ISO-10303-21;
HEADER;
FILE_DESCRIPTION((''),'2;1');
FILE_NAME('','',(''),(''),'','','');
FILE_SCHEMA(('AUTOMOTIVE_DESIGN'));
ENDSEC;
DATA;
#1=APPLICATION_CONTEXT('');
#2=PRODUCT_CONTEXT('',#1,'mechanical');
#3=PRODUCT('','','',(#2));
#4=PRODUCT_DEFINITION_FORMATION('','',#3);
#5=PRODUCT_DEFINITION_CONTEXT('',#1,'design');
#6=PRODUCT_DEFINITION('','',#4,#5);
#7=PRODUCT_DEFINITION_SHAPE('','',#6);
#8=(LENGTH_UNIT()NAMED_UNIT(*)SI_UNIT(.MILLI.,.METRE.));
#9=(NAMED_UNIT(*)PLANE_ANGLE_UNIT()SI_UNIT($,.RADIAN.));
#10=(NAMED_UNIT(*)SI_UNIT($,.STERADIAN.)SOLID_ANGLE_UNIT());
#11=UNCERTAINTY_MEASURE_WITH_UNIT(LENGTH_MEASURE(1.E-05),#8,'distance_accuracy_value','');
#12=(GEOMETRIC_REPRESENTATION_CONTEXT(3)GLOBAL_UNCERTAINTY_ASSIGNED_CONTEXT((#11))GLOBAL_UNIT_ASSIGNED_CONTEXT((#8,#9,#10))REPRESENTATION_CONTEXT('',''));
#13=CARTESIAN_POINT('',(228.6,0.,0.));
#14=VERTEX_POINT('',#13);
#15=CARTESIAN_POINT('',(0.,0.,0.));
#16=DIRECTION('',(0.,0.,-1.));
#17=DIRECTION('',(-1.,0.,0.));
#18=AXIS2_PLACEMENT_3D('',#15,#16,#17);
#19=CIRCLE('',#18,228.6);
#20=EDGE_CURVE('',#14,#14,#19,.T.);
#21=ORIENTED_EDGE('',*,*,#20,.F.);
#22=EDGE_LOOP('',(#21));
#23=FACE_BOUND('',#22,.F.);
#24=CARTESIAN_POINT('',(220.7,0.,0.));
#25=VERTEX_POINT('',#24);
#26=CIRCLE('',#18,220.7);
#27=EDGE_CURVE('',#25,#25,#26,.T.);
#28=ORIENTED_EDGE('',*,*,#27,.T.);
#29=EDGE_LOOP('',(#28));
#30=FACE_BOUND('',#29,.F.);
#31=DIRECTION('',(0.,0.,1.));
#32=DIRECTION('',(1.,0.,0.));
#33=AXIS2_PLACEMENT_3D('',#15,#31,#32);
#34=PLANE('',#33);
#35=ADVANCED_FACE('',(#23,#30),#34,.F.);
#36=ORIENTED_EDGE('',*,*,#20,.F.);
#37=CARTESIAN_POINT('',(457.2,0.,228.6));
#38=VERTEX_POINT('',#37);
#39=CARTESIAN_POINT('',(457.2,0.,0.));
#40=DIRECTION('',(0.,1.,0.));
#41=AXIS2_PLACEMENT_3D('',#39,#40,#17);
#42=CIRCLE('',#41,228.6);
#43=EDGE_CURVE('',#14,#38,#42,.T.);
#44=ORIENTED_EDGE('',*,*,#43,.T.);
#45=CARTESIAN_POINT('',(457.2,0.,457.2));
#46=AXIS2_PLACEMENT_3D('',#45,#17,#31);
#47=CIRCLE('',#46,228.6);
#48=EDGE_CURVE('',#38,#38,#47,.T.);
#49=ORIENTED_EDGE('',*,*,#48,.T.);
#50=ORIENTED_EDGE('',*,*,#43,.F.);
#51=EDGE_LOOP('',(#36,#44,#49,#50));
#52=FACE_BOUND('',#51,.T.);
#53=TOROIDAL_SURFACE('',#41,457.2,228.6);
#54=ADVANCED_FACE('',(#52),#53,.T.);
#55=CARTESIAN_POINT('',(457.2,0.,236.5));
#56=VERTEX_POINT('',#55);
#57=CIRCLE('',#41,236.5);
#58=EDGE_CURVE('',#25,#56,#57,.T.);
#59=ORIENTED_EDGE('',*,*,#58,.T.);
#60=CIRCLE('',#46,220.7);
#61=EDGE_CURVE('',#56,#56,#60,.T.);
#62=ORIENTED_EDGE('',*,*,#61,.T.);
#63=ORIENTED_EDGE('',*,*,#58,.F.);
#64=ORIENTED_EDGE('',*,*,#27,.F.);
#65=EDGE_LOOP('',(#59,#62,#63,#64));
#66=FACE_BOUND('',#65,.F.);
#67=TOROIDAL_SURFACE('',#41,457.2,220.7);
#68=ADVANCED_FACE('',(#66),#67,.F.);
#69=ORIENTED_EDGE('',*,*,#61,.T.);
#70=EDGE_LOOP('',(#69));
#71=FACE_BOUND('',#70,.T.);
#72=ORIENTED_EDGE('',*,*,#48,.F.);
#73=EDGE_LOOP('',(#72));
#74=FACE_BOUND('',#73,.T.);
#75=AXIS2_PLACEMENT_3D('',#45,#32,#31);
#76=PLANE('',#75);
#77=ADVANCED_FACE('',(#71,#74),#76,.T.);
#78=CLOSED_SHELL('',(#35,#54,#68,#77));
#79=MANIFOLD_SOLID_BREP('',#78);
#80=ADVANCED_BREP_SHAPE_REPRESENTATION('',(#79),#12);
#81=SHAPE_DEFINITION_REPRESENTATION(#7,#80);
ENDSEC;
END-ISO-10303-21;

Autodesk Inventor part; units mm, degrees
ref_plane "YZ Plane" through (0, 0, 0) normal (1, 0, 0) x (0, 1, 0)
ref_plane "XZ Plane" through (0, 0, 0) normal (0, 1, 0) x (-1, 0, 0)
ref_plane "XY Plane" through (0, 0, 0) normal (0, 0, 1) x (1, 0, 0)
sketch "Sketch1" plane through (0, 0, 0) normal (0, 0, 1) x (1, 0, 0)
  circle A0 centre (0, 0) radius 220.7
  circle A1 centre (0, 0) radius 228.6
  dimension "d0" = 441.4
  dimension "d1" = 457.2
sketch "Sketch2" plane through (0, 0, 0) normal (0, 1, 0) x (-1, 0, 0)
  line L0 (0, 0) -> (0, 457.2) construction
  line L1 (0, 457.2) -> (-457.2, 457.2) construction
  arc A0 (0, 0) -> (-457.2, 457.2) centre (-457.2, 0) ccw
  dimension "d2" = 457.2
  dimension "d3" = 90
  dimension "d4" = 457.2
sweep "Sweep1" add profiles "Sketch1" path "Sketch2"
equation "\"d0\" = D - 2 * T"
equation "\"d1\" = D"
equation "\"d2\" = F1"
equation "\"d4\" = F1"
equation "\"D\" = 457.2"
equation "\"F1\" = 457.2"
equation "\"T\" = 7.9"
equation "\"Size_Designation\" = 1.2345"
properties part number "JIS B 2311 90 Deg Short Elbow Steel - 450A" material "Steel"
